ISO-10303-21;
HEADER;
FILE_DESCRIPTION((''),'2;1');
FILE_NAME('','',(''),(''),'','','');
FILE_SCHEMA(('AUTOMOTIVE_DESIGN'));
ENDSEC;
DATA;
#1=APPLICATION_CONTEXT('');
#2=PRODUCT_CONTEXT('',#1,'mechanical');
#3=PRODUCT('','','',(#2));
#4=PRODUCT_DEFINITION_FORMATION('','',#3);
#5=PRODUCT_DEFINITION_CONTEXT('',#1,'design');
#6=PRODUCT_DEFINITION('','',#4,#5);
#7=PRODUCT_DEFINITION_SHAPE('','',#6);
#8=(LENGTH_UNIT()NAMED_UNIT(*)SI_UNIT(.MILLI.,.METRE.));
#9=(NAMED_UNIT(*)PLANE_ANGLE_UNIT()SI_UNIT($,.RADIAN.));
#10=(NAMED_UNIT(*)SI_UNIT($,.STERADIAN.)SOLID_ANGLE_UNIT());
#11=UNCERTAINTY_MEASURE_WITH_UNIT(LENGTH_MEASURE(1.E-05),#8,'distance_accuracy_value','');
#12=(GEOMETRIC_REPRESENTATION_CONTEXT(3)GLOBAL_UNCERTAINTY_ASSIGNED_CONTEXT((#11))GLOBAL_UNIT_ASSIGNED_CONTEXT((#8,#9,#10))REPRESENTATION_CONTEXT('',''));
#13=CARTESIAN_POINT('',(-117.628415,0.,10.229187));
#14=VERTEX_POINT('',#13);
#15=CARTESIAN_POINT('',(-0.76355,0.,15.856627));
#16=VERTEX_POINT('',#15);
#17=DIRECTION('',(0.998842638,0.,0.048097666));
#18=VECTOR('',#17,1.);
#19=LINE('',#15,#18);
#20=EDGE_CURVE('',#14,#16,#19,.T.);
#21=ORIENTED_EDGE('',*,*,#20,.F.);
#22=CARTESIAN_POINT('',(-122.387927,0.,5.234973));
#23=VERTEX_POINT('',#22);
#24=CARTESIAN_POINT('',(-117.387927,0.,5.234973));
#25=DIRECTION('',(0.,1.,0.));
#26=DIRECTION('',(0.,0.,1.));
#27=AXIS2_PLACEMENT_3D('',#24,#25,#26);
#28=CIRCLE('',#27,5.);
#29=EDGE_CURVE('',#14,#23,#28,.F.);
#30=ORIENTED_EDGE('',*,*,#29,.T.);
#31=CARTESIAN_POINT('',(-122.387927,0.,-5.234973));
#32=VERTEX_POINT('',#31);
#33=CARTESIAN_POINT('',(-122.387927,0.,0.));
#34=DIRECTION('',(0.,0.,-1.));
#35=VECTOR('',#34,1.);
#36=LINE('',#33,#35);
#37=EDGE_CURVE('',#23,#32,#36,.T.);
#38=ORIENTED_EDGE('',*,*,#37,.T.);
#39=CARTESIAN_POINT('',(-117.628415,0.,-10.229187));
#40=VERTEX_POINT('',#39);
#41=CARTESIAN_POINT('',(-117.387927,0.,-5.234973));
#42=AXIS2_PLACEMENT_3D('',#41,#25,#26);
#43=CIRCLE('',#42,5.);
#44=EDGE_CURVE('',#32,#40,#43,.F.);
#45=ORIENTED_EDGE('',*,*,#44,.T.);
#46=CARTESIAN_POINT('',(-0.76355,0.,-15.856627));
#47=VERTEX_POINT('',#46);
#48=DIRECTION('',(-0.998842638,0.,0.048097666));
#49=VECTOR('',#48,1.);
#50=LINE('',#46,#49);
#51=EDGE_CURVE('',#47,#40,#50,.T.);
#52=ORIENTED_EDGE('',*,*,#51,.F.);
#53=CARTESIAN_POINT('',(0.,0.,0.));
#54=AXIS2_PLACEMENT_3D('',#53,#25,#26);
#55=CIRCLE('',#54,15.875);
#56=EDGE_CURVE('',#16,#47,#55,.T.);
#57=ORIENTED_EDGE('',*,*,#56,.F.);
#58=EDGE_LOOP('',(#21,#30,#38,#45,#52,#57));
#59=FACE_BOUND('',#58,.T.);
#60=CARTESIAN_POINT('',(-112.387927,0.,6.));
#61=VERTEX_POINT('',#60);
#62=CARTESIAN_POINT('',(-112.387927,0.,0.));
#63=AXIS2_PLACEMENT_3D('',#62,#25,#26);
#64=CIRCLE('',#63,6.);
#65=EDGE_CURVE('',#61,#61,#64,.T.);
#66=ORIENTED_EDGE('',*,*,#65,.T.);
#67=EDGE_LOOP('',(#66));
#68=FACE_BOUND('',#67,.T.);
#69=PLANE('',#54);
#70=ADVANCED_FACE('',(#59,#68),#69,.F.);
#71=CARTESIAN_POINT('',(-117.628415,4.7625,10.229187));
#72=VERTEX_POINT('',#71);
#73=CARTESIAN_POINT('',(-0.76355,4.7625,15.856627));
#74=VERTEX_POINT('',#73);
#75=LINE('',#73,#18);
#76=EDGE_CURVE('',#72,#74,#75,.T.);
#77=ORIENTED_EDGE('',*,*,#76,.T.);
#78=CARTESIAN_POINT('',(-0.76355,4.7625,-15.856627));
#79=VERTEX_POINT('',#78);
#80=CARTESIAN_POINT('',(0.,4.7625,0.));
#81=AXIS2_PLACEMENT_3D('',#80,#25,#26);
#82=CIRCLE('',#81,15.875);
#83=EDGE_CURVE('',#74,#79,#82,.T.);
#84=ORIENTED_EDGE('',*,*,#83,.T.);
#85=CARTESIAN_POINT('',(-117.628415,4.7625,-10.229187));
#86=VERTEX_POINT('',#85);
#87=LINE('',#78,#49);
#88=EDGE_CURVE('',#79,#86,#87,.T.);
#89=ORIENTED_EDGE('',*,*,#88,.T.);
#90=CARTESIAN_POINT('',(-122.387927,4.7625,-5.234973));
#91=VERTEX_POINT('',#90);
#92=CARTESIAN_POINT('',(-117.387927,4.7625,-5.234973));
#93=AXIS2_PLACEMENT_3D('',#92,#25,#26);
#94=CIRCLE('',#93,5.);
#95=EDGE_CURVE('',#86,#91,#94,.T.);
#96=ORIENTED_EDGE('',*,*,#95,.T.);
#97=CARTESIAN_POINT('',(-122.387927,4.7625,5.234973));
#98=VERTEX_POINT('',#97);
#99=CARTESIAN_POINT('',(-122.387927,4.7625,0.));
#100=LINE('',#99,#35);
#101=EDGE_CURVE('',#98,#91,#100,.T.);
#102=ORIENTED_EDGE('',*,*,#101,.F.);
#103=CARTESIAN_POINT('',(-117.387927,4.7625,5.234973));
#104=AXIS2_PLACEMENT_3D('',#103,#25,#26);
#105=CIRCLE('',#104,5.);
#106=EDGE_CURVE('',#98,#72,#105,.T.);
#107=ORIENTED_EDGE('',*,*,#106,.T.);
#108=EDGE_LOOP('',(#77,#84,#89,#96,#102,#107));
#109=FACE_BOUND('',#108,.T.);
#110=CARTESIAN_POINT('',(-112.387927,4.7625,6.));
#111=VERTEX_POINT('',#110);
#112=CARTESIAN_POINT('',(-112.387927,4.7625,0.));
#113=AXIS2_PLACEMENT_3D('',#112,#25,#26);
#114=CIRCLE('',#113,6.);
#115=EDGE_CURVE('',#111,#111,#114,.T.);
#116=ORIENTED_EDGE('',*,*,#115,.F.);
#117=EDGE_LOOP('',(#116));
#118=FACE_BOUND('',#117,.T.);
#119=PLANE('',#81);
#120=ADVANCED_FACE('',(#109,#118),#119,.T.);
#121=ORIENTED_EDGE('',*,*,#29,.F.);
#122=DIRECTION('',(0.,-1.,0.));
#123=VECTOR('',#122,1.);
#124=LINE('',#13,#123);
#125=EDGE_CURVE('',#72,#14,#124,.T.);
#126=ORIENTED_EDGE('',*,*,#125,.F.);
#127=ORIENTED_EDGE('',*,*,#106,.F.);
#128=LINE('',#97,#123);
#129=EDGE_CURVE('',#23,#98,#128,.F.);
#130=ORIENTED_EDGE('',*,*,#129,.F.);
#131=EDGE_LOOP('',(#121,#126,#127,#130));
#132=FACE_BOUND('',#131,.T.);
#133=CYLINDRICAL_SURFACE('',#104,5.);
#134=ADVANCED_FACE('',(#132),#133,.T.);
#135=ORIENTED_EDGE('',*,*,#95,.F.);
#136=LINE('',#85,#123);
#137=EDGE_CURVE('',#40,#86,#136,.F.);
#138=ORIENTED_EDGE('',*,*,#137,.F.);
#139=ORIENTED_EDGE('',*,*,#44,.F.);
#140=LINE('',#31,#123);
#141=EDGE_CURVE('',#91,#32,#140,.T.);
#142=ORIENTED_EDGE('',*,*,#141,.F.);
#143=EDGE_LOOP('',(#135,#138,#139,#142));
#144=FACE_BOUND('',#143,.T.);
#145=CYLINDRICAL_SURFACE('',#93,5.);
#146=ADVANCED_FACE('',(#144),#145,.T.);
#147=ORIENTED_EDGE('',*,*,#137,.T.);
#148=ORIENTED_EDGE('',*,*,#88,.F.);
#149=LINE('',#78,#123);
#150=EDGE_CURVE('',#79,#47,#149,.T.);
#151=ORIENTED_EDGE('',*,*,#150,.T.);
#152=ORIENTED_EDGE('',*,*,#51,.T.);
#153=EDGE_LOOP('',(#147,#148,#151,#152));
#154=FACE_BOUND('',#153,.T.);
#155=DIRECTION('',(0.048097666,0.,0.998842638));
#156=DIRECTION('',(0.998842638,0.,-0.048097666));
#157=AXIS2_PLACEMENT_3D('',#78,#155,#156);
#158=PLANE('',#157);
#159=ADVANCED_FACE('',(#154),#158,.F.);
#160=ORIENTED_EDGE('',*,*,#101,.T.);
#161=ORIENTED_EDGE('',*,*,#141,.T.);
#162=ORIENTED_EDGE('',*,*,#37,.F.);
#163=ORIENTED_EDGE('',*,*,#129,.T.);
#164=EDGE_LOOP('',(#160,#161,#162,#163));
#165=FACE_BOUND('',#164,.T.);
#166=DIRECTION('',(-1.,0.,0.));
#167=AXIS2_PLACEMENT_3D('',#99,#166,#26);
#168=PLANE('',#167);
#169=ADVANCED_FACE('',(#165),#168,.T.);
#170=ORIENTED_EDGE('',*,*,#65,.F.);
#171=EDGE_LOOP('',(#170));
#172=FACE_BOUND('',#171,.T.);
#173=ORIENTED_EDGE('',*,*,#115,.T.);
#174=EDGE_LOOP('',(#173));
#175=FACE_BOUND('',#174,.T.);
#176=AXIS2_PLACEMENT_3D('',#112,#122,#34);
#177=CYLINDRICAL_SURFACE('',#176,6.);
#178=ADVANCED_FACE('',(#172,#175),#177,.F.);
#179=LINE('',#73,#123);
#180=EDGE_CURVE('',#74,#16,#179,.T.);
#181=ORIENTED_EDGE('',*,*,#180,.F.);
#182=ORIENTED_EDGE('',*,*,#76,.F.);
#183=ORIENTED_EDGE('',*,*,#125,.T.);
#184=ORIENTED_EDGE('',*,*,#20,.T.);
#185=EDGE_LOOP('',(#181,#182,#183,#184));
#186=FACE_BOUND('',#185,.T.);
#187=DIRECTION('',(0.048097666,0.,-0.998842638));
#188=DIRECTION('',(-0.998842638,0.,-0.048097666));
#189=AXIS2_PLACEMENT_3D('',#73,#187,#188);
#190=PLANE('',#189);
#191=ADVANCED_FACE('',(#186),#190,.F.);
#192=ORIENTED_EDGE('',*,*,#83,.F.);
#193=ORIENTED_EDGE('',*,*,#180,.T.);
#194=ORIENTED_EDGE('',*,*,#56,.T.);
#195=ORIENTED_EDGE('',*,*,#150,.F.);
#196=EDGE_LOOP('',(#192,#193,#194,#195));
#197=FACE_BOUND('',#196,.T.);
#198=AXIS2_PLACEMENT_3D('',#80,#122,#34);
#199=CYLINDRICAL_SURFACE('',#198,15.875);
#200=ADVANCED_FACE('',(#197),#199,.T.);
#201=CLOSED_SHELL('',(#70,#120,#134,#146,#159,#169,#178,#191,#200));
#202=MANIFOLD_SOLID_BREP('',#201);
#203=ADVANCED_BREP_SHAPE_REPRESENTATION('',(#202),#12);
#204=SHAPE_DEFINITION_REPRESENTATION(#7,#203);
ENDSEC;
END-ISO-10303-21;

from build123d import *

# Parameters (mm, degrees)
SKETCH2_R           = 6
BOSS_EXTRUDE1_DEPTH = 4.7625
FILLET1_R           = 5


with BuildPart() as part:
    # Sketch2 → Boss-Extrude1 (new body)
    with BuildSketch(Plane(origin=(0, 0, 0), x_dir=(1, 0, 0), z_dir=(0, 1, 0))):
        with BuildLine():
            Line((-122.387926706, -10), (-0.763550737, -15.856626857))
            ThreePointArc((-0.763550737, -15.856626857), (15.875, -1.57e-07), (-0.763550423, 15.856626872))
            Line((-0.763550423, 15.856626872), (-122.387926706, 10))
            Line((-122.387926706, 10), (-122.387926706, -10))
        make_face()
        with Locations((-112.387926706, 0)):
            Circle(SKETCH2_R, mode=Mode.SUBTRACT)
    extrude(amount=BOSS_EXTRUDE1_DEPTH)

    # Fillet1
    fillet1_edges = [part.edges().sort_by_distance(p)[0] for p in [
        (-122.387926706, 2.38125, 10),
        (-122.387926706, 2.38125, -10),
    ]]
    fillet(fillet1_edges, radius=FILLET1_R)


solid = part.part
